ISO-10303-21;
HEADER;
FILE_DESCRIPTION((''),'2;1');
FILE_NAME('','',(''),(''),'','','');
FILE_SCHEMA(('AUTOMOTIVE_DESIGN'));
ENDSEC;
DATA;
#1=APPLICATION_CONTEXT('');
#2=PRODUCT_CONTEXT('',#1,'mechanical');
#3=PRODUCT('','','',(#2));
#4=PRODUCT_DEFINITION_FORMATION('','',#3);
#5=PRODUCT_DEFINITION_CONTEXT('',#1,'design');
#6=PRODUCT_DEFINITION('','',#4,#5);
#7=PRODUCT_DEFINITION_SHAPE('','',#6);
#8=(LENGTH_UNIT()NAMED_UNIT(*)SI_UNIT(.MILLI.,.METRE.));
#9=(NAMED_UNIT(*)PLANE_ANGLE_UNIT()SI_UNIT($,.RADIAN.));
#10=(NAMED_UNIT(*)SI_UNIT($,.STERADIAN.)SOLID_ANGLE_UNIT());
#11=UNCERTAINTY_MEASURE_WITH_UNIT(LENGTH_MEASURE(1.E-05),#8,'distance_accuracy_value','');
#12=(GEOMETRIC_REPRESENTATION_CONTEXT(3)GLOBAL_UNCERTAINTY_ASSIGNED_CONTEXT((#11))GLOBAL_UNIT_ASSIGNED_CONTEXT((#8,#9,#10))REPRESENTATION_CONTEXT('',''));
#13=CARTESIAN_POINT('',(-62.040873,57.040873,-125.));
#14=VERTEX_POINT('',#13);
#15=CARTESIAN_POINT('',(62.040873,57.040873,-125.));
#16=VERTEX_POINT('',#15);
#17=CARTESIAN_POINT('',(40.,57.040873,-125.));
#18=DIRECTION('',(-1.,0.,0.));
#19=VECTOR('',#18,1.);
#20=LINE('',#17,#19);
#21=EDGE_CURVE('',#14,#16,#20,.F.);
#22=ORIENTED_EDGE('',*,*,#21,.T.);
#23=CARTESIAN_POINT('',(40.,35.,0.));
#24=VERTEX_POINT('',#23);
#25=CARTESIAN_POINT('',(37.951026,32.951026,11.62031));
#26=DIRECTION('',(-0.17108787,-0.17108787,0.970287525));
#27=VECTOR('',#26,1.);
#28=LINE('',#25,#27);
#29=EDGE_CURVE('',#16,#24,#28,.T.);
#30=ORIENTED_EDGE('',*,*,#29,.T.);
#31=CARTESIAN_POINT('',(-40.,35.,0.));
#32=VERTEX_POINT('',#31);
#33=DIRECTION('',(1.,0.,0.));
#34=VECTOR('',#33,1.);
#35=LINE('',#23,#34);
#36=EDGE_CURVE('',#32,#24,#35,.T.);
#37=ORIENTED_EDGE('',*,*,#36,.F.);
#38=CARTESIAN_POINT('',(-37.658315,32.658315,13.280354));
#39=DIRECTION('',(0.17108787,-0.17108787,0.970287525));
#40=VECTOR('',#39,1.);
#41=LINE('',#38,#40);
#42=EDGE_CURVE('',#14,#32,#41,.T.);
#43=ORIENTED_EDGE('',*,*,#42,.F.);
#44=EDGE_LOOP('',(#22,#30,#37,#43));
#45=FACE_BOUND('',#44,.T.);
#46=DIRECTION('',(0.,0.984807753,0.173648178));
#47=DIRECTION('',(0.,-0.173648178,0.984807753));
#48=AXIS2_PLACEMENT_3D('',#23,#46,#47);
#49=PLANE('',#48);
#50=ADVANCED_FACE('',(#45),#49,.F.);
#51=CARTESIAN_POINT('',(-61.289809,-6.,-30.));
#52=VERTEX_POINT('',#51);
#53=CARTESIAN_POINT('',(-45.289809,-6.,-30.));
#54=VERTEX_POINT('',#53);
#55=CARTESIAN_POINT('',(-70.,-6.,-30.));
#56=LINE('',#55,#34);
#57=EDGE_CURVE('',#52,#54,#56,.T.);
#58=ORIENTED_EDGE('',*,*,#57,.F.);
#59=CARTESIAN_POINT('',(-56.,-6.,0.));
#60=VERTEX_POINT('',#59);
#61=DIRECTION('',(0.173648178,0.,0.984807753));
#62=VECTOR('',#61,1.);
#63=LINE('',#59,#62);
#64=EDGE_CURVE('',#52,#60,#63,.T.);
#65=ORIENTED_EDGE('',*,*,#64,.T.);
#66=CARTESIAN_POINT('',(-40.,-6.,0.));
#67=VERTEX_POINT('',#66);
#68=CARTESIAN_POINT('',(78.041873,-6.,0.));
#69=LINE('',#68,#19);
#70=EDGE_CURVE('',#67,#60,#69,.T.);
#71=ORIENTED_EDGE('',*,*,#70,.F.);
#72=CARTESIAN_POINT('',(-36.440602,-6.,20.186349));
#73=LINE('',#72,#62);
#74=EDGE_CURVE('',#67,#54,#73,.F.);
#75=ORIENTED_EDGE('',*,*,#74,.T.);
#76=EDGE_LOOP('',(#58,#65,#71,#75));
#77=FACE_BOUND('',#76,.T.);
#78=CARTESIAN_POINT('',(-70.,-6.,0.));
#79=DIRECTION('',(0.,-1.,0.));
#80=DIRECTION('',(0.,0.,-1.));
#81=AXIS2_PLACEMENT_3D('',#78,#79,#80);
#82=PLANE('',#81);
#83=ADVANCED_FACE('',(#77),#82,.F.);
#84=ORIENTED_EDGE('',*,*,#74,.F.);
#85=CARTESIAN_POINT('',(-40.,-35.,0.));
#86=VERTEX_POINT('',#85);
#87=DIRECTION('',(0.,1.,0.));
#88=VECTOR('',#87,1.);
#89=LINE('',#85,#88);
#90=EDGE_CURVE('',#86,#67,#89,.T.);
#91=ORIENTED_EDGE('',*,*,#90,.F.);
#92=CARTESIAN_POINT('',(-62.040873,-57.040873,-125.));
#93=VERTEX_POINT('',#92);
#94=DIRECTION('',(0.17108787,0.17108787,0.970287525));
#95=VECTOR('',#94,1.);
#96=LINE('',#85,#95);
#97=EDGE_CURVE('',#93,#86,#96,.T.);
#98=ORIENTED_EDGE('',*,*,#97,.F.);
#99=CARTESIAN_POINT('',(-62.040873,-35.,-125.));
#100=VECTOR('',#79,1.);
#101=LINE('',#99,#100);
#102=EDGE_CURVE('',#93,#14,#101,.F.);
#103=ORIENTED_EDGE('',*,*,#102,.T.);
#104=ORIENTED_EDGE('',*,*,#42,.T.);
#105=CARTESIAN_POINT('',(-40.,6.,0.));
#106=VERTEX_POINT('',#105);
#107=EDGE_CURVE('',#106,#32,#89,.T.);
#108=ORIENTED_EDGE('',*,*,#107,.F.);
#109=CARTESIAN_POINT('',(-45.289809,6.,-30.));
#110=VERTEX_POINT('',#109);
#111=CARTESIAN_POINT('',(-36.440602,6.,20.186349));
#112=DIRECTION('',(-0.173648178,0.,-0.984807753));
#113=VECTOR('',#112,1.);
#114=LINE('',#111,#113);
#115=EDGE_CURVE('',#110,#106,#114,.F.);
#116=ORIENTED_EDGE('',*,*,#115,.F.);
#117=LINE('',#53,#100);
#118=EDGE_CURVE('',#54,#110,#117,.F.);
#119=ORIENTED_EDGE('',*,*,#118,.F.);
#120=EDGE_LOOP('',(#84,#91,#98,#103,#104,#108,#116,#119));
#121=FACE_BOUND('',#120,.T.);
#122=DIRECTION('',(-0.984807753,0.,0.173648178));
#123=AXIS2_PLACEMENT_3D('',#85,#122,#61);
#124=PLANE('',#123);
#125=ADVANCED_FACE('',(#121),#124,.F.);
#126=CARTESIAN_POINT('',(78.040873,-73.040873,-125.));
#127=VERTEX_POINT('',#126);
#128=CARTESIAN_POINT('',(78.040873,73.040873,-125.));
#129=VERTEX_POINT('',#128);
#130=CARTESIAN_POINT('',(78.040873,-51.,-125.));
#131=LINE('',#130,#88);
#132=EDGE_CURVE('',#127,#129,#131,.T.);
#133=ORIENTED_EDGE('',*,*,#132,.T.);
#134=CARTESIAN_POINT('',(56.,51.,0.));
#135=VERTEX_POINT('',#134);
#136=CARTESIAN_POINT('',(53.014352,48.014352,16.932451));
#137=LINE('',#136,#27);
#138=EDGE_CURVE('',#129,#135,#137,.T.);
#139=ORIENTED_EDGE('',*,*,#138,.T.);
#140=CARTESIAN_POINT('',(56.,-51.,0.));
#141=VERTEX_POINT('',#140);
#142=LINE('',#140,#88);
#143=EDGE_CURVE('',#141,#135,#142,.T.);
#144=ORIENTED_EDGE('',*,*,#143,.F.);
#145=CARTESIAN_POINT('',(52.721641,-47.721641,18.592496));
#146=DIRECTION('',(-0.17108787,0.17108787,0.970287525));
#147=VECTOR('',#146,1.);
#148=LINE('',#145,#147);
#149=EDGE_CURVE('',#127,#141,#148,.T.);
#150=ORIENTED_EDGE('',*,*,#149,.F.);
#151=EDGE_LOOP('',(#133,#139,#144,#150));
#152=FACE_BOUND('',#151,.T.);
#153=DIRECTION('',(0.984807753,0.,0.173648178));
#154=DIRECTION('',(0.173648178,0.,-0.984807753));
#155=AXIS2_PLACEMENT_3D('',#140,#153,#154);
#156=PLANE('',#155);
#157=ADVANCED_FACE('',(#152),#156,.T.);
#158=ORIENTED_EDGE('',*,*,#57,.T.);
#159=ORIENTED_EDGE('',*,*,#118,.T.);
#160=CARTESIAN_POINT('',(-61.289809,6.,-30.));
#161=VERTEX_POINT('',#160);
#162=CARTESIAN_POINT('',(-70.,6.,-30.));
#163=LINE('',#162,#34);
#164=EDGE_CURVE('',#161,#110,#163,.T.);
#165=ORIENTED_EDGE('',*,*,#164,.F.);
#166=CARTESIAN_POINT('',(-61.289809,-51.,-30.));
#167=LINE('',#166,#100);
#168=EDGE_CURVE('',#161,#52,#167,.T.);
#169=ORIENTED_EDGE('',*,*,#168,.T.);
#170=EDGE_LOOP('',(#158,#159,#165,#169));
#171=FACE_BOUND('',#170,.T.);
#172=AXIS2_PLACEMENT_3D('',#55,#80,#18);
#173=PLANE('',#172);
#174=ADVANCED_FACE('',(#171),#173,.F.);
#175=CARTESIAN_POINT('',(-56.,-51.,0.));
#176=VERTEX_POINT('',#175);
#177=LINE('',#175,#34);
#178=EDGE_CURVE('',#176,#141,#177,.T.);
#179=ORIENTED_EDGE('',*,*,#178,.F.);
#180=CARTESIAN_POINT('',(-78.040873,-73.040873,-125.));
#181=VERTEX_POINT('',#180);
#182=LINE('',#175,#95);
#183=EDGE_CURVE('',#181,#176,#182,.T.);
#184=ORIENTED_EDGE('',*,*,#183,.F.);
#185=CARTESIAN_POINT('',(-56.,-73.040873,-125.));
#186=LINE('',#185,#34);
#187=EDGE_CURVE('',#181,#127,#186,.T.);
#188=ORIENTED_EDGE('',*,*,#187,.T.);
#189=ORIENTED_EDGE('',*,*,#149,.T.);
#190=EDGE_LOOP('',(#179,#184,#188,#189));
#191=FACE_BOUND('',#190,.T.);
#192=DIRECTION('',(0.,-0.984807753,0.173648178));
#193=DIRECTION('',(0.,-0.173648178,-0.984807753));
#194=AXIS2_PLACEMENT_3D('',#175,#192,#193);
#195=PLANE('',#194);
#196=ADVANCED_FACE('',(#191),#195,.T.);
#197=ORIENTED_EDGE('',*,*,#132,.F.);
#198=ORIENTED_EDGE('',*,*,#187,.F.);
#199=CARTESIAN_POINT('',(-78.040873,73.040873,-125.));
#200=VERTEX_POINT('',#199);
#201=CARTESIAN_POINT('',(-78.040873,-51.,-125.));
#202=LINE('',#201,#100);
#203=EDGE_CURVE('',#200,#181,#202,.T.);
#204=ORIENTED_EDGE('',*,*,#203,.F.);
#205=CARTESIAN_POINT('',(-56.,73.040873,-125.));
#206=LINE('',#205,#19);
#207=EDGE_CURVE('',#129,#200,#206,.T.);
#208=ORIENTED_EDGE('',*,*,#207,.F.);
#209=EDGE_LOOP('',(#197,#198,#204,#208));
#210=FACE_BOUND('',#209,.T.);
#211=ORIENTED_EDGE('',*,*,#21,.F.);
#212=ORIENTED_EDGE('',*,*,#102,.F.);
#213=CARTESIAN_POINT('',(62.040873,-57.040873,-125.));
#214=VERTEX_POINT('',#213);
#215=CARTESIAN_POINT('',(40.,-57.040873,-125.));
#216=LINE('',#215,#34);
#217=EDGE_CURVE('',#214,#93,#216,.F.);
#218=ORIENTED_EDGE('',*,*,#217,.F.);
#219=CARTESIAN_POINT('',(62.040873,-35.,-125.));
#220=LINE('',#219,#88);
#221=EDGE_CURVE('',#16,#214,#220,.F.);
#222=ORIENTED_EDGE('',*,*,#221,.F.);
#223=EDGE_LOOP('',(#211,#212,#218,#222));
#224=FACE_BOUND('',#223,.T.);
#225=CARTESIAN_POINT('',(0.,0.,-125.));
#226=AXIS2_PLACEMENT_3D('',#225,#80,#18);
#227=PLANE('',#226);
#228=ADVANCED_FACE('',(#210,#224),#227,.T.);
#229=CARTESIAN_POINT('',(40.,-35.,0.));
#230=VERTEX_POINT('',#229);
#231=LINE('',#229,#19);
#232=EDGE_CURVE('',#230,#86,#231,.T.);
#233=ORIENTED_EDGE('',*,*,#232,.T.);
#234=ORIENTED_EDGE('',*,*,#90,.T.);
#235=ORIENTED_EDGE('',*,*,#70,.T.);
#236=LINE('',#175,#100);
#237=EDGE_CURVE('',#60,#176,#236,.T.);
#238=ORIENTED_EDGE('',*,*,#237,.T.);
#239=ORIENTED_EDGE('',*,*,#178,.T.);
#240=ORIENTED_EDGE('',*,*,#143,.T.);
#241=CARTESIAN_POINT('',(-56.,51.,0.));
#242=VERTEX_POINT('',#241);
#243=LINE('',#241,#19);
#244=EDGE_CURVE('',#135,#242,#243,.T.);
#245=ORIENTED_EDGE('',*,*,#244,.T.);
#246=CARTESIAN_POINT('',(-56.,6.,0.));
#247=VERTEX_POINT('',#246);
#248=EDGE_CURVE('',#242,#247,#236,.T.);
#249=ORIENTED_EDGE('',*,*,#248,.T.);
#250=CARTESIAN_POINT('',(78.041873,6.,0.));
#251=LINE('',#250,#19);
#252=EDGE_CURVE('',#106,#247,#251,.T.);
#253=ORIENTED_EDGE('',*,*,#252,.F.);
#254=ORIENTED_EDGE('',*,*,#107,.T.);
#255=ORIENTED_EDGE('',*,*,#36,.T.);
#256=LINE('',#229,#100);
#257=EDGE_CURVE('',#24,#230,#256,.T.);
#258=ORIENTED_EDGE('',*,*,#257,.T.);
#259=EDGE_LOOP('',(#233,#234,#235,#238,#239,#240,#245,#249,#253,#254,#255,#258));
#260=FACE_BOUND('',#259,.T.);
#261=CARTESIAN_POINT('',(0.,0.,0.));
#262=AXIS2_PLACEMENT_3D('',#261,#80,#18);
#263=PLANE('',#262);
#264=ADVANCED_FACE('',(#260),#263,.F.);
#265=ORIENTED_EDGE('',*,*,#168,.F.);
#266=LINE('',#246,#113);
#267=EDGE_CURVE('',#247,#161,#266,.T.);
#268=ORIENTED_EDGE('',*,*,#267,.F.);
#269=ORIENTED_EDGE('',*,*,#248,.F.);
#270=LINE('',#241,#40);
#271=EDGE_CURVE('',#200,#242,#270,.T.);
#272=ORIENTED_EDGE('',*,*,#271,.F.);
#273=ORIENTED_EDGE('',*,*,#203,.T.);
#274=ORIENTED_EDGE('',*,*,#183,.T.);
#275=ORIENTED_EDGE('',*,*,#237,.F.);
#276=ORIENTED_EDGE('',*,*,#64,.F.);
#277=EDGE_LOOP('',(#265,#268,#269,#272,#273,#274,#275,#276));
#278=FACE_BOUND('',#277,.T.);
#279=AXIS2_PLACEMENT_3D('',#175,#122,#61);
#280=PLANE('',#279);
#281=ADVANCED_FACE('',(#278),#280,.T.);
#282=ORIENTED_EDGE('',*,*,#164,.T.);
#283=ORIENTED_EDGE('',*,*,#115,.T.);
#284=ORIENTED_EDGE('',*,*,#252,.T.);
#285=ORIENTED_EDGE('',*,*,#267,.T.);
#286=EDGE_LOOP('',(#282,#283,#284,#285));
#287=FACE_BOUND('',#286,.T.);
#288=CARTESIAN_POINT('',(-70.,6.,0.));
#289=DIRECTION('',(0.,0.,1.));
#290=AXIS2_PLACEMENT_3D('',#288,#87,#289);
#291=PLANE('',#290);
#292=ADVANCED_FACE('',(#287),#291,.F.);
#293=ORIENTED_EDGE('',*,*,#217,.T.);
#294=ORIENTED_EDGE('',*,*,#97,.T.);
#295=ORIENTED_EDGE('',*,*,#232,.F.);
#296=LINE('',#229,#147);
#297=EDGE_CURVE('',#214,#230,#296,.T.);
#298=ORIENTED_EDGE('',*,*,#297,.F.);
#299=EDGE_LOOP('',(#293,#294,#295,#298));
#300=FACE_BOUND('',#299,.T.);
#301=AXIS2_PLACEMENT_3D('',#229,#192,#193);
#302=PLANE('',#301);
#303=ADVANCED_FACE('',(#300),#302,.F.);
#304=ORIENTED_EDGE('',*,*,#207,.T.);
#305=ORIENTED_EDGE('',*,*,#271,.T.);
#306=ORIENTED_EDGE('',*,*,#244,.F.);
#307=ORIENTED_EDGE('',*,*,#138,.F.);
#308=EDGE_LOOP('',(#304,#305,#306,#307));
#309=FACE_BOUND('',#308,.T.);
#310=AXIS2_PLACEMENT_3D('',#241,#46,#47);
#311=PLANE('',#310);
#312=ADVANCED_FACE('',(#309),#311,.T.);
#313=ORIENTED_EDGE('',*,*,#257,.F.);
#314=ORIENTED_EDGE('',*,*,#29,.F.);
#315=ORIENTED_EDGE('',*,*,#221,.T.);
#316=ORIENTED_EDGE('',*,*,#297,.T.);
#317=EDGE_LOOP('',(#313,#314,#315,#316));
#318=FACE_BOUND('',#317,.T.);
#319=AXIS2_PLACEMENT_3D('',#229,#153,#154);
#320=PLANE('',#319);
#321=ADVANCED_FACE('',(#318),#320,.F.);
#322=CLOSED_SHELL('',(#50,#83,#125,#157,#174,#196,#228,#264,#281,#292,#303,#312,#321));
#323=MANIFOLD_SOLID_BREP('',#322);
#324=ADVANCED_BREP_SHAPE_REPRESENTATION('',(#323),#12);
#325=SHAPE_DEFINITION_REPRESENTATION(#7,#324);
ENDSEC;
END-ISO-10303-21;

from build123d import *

# Parameters (mm, degrees)
SKETCH2_W                      = 112
SKETCH2_H                      = 102
BOSS_EXTRUDE1_DEPTH            = 125
BOSS_EXTRUDE1_TAPER            = -10
SKETCH3_W                      = 80
SKETCH3_H                      = 70
CUT_EXTRUDE1_DEPTH             = 125
CUT_EXTRUDE1_TAPER             = -10
CUT_EXTRUDE2_REACH             = 140.041
SKETCH5_W                      = 30
SKETCH5_H                      = 12
CUT_EXTRUDE2_DIRECTION_2_DEPTH = 10


with BuildPart() as part:
    # Sketch2 → Boss-Extrude1 (new body)
    with BuildSketch(Plane.XY):
        Rectangle(SKETCH2_W, SKETCH2_H)
    extrude(amount=-BOSS_EXTRUDE1_DEPTH, taper=BOSS_EXTRUDE1_TAPER)

    # Sketch3 → Cut-Extrude1 (cut)
    with BuildSketch(Plane(origin=(0, 0, 0), x_dir=(-1, 0, 0), z_dir=(0, 0, -1))):
        Rectangle(SKETCH3_W, SKETCH3_H)
    extrude(amount=CUT_EXTRUDE1_DEPTH, taper=CUT_EXTRUDE1_TAPER, mode=Mode.SUBTRACT)

    # Sketch5 → Cut-Extrude2 (cut, up to next)
    with BuildSketch(Plane(origin=(-60, 0, 0), x_dir=(0, 0, -1), z_dir=(1, 0, 0)), mode=Mode.PRIVATE) as cut_extrude2_sk1:
        with Locations((15, 0)):
            Rectangle(SKETCH5_W, SKETCH5_H)
    cut_extrude2_tool1 = extrude(cut_extrude2_sk1.sketch, amount=CUT_EXTRUDE2_REACH, mode=Mode.PRIVATE) & part.part
    add(cut_extrude2_tool1.solids().sort_by_distance((-60, 0, -15))[0], mode=Mode.SUBTRACT)

    # Sketch5 → Cut-Extrude2 direction 2 (cut)
    with BuildSketch(Plane(origin=(-60, 0, 0), x_dir=(0, 0, -1), z_dir=(1, 0, 0))):
        with Locations((15, 0)):
            Rectangle(SKETCH5_W, SKETCH5_H)
    extrude(amount=-CUT_EXTRUDE2_DIRECTION_2_DEPTH, mode=Mode.SUBTRACT)


solid = part.part
